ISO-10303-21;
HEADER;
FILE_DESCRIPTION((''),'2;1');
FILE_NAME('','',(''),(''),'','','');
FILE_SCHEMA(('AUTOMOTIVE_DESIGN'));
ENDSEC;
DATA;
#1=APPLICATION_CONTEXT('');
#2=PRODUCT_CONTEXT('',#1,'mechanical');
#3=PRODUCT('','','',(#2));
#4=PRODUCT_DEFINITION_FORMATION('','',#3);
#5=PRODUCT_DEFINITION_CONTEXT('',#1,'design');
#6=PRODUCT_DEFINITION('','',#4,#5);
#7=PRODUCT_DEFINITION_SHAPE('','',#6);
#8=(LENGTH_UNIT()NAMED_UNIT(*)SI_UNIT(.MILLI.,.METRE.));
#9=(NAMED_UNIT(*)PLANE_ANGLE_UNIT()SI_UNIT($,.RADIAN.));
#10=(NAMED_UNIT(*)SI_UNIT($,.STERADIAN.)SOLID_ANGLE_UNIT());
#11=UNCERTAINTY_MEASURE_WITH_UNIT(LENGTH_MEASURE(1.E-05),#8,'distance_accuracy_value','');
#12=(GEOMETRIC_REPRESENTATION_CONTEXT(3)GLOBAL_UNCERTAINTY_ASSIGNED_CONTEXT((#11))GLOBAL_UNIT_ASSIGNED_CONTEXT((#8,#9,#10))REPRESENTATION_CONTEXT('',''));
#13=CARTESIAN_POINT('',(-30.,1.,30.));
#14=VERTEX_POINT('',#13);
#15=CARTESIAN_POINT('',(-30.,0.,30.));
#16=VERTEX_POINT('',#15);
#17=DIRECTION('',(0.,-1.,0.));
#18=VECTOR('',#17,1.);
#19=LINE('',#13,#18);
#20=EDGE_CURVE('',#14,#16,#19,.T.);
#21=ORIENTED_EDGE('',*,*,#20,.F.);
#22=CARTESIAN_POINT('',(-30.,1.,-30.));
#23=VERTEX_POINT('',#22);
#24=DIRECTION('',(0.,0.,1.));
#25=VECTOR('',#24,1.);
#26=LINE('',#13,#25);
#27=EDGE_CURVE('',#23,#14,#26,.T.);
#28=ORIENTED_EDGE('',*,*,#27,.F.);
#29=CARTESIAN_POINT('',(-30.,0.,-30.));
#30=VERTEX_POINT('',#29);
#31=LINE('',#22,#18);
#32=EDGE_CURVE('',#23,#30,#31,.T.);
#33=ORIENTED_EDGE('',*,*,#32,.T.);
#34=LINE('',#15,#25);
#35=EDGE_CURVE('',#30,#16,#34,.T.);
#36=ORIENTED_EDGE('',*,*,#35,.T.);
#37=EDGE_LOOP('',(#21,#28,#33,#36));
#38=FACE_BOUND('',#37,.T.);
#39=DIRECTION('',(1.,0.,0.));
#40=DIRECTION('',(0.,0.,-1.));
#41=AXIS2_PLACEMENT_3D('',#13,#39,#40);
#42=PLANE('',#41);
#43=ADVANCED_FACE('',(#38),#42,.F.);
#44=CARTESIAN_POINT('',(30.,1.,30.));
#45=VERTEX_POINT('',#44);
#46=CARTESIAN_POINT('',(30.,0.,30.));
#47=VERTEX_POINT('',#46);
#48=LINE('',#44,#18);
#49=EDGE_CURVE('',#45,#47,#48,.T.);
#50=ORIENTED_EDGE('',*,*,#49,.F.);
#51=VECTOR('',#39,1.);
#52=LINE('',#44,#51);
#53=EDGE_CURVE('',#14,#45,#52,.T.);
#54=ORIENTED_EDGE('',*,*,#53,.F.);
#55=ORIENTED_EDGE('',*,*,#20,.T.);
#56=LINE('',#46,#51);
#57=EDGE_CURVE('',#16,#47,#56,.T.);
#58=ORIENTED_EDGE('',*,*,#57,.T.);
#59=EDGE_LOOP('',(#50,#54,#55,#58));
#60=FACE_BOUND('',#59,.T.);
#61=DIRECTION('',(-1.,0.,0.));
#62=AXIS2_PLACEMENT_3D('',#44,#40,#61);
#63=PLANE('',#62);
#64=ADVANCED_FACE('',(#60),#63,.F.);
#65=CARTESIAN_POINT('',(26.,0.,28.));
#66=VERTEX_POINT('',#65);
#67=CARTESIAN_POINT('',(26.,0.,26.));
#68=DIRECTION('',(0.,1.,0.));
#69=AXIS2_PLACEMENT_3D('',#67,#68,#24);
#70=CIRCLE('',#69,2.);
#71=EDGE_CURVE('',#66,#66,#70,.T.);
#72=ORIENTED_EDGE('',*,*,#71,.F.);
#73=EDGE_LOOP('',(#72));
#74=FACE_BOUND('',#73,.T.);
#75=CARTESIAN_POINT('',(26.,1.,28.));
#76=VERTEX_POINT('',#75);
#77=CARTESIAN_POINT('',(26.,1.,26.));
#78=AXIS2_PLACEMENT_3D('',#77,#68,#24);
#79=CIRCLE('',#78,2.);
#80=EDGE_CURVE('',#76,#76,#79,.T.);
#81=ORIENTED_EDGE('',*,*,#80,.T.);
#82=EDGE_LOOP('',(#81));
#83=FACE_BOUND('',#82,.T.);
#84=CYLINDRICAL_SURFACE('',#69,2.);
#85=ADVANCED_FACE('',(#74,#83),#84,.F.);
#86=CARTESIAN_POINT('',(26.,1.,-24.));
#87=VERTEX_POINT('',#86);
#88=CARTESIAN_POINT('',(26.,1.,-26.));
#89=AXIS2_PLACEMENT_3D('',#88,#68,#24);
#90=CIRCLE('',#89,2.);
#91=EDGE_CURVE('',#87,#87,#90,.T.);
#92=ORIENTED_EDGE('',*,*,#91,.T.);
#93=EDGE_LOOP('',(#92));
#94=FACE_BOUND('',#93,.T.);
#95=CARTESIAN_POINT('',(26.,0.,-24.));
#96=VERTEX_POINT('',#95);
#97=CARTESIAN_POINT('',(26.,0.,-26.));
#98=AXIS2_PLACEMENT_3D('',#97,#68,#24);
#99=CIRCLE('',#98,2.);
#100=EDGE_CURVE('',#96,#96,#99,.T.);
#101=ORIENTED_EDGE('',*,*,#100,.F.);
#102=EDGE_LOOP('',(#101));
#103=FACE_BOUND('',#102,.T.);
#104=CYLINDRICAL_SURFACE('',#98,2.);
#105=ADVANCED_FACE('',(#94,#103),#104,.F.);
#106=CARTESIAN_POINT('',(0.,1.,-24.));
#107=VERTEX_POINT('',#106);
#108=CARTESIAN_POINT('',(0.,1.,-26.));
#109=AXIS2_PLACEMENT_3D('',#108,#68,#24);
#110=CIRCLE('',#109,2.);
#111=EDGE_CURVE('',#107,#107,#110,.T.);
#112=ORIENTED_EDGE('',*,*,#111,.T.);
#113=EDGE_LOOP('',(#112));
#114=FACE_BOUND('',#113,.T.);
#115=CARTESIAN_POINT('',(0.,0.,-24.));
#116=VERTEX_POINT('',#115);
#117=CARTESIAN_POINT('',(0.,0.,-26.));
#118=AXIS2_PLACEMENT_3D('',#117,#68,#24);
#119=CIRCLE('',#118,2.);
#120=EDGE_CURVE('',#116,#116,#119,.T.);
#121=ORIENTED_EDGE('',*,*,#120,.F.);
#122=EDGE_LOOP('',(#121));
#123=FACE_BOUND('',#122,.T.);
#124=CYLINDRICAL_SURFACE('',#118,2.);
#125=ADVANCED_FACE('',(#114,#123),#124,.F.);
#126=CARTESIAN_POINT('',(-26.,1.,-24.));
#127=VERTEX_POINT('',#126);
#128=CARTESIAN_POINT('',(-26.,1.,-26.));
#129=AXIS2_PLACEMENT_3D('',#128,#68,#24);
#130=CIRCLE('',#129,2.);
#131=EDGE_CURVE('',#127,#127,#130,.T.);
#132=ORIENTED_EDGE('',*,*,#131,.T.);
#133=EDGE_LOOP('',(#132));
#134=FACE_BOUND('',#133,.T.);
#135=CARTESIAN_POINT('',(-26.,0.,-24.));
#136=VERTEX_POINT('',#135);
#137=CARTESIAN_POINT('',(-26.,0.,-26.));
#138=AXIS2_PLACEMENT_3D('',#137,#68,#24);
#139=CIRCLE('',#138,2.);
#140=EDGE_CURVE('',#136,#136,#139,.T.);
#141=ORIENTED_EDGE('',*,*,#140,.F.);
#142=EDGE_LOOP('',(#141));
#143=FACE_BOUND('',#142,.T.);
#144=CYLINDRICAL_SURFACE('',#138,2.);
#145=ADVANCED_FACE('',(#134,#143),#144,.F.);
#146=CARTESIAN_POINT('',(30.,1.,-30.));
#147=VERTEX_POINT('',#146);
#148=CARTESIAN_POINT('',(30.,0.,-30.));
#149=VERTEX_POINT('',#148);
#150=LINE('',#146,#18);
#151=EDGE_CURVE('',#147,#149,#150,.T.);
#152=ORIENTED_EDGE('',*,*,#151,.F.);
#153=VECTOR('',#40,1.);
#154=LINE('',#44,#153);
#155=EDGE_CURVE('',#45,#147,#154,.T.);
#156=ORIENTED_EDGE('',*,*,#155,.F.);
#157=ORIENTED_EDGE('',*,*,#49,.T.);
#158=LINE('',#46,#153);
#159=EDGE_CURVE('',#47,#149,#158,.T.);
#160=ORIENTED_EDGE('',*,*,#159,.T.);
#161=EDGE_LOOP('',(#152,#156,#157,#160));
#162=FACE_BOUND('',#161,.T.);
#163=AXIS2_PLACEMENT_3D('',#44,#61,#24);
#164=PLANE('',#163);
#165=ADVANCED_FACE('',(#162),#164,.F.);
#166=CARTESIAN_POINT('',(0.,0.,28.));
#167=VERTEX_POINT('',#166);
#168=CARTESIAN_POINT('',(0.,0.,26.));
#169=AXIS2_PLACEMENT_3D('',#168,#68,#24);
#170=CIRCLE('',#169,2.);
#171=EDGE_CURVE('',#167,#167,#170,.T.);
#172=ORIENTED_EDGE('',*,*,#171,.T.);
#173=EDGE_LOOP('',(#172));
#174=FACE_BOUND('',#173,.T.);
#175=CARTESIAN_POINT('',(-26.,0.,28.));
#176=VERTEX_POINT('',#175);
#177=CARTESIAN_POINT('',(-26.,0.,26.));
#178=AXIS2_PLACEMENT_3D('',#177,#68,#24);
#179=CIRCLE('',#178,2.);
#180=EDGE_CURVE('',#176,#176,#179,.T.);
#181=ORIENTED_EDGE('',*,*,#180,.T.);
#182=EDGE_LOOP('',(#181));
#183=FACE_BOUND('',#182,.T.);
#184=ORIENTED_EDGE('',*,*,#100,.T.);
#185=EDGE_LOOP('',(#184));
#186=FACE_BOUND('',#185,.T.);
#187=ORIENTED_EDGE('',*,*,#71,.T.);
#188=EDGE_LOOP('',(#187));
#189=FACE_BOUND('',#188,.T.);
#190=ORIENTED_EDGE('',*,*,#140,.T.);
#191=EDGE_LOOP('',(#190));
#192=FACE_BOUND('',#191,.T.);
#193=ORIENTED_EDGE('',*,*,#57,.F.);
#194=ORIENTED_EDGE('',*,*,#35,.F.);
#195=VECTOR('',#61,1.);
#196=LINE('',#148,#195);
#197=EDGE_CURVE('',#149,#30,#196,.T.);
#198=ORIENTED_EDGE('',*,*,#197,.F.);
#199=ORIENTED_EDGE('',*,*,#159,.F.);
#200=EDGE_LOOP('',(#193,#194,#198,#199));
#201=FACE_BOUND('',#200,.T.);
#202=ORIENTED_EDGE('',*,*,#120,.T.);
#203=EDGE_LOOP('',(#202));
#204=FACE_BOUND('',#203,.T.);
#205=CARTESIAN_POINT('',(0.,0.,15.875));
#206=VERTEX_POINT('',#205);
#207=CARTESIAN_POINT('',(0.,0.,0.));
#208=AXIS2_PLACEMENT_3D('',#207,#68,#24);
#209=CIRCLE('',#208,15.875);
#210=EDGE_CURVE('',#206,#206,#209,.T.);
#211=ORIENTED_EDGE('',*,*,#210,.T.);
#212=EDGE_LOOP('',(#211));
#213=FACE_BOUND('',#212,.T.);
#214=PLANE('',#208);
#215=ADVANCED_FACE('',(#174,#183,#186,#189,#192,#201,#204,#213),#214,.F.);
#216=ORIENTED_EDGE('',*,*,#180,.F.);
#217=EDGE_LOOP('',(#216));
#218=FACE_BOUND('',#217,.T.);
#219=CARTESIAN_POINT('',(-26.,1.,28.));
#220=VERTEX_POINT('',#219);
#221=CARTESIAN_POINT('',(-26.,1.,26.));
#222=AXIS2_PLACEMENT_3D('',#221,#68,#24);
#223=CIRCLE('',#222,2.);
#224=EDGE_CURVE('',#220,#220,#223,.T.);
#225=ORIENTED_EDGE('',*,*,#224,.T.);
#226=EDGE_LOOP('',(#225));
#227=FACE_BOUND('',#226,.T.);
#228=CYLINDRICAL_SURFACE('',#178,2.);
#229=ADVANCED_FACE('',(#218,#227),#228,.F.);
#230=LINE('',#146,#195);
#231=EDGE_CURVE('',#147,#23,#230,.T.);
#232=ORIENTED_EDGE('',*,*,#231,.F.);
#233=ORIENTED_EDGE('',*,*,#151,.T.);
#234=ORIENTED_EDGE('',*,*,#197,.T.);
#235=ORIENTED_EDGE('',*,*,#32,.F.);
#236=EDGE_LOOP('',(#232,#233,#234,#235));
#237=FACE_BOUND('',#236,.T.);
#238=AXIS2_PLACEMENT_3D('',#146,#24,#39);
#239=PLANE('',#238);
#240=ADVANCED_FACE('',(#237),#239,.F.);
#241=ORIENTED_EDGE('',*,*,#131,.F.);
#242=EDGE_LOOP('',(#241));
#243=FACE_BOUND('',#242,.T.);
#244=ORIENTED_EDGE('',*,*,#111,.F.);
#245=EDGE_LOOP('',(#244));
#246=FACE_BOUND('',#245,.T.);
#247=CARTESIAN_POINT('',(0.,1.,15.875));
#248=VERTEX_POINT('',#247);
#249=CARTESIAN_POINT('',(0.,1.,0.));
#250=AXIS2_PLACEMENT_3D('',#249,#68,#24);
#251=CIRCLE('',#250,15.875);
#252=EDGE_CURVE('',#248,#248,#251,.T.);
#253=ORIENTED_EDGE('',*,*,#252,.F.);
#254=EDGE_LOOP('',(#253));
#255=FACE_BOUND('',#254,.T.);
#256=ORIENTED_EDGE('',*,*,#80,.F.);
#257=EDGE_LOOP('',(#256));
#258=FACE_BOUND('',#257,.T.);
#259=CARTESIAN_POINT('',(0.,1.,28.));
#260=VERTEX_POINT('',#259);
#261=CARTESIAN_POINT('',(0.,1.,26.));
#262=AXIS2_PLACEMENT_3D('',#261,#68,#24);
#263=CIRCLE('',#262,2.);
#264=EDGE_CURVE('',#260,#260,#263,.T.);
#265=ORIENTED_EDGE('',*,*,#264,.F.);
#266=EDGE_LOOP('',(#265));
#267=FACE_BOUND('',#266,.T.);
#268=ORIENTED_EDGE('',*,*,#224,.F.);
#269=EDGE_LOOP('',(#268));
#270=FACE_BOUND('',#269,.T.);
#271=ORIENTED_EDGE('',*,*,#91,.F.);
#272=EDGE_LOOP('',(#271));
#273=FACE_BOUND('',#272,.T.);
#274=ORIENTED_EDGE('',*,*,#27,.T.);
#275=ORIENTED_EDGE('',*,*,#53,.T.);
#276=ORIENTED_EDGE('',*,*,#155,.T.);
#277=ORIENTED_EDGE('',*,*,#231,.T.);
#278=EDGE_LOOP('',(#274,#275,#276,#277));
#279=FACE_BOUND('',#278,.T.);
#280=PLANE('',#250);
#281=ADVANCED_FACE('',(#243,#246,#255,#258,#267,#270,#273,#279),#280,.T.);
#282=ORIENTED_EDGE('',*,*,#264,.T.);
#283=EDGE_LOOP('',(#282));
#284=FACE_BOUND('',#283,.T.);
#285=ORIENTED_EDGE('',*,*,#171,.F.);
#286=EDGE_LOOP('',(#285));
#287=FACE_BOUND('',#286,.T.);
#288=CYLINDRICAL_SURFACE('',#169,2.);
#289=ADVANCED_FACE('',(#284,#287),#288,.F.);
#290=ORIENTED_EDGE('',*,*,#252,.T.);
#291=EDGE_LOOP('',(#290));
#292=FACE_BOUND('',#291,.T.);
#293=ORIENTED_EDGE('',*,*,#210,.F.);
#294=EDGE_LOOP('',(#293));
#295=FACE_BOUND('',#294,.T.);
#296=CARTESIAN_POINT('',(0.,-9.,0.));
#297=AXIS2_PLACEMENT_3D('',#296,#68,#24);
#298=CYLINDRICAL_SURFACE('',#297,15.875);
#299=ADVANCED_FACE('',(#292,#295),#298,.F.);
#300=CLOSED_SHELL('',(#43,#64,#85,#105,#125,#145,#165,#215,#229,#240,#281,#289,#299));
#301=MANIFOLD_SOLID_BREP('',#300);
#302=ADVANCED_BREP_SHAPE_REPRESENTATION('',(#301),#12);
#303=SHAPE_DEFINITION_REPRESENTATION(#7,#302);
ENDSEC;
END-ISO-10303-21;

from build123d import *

# Parameters (mm, degrees)
SKETCH1_W           = 60
SKETCH1_H           = 60
BOSS_EXTRUDE1_DEPTH = 1
SKETCH2_R           = 2
CUT_EXTRUDE1_DEPTH  = 2
SKETCH4_R           = 15.875
CUT_EXTRUDE3_DEPTH  = 10


with BuildPart() as part:
    # Sketch1 → Boss-Extrude1 (new body)
    with BuildSketch(Plane(origin=(0, 0, 0), x_dir=(1, 0, 0), z_dir=(0, 1, 0))):
        Rectangle(SKETCH1_W, SKETCH1_H)
    extrude(amount=BOSS_EXTRUDE1_DEPTH)

    # Sketch2 → Cut-Extrude1 (cut, through all)
    with BuildSketch(Plane(origin=(0, 1, 0), x_dir=(1, 0, 0), z_dir=(0, 1, 0))):
        with Locations((-26, 26)):
            Circle(SKETCH2_R)
        with Locations((0, 26)):
            Circle(SKETCH2_R)
        with Locations((26, 26)):
            Circle(SKETCH2_R)
        with Locations((26, -26)):
            Circle(SKETCH2_R)
        with Locations((0, -26)):
            Circle(SKETCH2_R)
        with Locations((-26, -26)):
            Circle(SKETCH2_R)
    extrude(amount=-CUT_EXTRUDE1_DEPTH, mode=Mode.SUBTRACT)

    # Sketch4 → Cut-Extrude3 (cut)
    with BuildSketch(Plane(origin=(0, 1, 0), x_dir=(1, 0, 0), z_dir=(0, 1, 0))):
        Circle(SKETCH4_R)
    extrude(amount=-CUT_EXTRUDE3_DEPTH, mode=Mode.SUBTRACT)


solid = part.part
